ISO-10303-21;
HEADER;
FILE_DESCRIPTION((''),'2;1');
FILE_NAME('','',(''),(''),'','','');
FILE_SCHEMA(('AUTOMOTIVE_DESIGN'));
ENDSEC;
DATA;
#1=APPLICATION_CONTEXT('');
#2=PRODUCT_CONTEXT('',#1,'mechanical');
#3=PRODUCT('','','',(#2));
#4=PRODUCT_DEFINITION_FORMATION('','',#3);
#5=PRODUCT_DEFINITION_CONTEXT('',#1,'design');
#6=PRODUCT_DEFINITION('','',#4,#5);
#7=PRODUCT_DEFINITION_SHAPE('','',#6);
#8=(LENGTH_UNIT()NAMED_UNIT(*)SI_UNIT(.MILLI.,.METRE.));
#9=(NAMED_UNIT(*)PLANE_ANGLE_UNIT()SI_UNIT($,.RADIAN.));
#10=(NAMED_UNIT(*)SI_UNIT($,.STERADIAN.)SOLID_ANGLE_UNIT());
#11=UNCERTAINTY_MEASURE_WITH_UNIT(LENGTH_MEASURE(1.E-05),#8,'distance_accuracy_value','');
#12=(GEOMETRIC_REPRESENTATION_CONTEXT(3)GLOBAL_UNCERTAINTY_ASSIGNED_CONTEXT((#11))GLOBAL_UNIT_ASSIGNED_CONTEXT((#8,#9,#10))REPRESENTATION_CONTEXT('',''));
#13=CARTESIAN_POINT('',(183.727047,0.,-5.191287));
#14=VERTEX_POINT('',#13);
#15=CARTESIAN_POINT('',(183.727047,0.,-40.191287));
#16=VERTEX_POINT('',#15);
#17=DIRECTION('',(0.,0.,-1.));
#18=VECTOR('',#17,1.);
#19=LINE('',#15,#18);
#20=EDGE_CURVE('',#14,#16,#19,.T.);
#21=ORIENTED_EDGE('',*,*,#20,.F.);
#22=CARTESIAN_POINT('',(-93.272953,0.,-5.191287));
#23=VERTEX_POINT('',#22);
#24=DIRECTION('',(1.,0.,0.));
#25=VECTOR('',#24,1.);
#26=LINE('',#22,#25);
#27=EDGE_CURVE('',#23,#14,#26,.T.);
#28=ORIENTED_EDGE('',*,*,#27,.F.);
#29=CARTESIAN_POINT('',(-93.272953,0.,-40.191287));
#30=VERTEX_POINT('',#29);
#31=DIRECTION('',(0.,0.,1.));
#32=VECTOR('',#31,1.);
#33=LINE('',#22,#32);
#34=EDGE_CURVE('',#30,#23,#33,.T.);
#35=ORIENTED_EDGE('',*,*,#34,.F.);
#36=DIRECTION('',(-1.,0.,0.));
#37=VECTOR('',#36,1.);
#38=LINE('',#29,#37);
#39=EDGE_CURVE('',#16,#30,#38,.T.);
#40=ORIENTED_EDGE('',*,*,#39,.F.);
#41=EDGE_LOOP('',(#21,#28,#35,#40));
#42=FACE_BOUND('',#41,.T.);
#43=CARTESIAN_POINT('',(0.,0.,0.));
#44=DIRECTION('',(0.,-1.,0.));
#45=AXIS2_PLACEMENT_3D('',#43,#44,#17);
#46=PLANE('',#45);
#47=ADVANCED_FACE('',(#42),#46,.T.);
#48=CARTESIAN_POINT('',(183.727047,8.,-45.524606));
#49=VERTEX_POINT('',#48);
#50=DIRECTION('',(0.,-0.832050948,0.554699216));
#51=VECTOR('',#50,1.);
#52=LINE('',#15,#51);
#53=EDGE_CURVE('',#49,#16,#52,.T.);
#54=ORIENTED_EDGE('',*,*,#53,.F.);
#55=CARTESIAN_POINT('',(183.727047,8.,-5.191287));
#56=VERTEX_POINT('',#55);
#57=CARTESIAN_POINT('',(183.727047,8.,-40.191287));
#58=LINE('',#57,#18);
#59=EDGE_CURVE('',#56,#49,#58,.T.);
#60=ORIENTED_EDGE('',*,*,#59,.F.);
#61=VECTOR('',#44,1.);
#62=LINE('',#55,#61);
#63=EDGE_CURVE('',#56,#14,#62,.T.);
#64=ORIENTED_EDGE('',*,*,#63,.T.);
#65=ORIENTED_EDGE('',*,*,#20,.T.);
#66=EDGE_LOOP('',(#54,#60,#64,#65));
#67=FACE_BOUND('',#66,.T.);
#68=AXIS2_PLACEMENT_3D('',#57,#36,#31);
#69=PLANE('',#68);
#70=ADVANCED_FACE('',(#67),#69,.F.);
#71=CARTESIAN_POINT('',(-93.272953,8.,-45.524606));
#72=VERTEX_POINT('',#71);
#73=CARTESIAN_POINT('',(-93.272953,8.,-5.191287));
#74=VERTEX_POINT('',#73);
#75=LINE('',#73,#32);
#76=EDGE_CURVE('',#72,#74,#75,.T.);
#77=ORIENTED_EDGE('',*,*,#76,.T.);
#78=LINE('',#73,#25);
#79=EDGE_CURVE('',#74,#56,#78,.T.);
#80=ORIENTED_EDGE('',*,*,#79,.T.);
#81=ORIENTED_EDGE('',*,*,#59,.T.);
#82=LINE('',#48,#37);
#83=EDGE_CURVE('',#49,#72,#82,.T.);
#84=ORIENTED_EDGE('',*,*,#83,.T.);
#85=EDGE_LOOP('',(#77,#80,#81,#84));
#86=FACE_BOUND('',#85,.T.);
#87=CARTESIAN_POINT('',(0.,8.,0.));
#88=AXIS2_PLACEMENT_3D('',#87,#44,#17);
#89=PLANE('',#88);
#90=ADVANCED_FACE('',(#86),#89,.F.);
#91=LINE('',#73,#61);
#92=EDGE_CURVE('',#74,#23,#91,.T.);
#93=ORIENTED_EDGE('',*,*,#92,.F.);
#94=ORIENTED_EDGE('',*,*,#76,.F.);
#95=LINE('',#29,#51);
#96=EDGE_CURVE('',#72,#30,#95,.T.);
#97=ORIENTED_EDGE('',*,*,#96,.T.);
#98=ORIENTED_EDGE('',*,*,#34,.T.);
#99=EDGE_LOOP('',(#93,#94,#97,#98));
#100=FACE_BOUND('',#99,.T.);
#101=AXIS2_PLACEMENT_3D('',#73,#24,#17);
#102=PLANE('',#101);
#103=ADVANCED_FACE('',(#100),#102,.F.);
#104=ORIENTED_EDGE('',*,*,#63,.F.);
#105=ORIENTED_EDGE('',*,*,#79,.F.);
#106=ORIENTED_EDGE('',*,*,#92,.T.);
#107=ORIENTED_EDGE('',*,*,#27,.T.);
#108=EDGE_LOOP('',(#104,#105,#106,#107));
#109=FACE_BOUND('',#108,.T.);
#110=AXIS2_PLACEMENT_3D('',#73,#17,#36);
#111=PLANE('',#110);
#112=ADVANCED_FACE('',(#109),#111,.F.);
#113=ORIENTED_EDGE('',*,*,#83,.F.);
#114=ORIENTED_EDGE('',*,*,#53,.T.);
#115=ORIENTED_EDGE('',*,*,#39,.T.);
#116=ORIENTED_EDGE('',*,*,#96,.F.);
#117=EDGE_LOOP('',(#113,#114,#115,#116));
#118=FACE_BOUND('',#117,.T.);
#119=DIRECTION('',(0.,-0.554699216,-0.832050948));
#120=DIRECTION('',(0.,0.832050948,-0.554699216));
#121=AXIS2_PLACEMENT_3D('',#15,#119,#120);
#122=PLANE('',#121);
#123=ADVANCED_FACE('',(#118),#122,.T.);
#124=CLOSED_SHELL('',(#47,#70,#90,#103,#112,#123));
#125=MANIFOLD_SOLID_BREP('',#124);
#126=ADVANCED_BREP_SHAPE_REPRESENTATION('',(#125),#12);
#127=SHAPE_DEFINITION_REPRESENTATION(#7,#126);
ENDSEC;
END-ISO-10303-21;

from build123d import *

# Parameters (mm, degrees)
SKETCH1_W           = 277
SKETCH1_H           = 35
BOSS_EXTRUDE1_DEPTH = 8
BOSS_EXTRUDE2_DEPTH = 277


with BuildPart() as part:
    # Sketch1 → Boss-Extrude1 (new body)
    with BuildSketch(Plane(origin=(0, 0, 0), x_dir=(1, 0, 0), z_dir=(0, 1, 0))):
        with Locations((45.227046926, 22.691286622)):
            Rectangle(SKETCH1_W, SKETCH1_H)
    extrude(amount=BOSS_EXTRUDE1_DEPTH)

    # Sketch2 → Boss-Extrude2 (add)
    with BuildSketch(Plane.ZY.offset(93.272953074)):
        Polygon((-40.191286622, 0), (-45.524606336, 8), (-40.191286622, 8), align=None)
    extrude(amount=-BOSS_EXTRUDE2_DEPTH)


solid = part.part
